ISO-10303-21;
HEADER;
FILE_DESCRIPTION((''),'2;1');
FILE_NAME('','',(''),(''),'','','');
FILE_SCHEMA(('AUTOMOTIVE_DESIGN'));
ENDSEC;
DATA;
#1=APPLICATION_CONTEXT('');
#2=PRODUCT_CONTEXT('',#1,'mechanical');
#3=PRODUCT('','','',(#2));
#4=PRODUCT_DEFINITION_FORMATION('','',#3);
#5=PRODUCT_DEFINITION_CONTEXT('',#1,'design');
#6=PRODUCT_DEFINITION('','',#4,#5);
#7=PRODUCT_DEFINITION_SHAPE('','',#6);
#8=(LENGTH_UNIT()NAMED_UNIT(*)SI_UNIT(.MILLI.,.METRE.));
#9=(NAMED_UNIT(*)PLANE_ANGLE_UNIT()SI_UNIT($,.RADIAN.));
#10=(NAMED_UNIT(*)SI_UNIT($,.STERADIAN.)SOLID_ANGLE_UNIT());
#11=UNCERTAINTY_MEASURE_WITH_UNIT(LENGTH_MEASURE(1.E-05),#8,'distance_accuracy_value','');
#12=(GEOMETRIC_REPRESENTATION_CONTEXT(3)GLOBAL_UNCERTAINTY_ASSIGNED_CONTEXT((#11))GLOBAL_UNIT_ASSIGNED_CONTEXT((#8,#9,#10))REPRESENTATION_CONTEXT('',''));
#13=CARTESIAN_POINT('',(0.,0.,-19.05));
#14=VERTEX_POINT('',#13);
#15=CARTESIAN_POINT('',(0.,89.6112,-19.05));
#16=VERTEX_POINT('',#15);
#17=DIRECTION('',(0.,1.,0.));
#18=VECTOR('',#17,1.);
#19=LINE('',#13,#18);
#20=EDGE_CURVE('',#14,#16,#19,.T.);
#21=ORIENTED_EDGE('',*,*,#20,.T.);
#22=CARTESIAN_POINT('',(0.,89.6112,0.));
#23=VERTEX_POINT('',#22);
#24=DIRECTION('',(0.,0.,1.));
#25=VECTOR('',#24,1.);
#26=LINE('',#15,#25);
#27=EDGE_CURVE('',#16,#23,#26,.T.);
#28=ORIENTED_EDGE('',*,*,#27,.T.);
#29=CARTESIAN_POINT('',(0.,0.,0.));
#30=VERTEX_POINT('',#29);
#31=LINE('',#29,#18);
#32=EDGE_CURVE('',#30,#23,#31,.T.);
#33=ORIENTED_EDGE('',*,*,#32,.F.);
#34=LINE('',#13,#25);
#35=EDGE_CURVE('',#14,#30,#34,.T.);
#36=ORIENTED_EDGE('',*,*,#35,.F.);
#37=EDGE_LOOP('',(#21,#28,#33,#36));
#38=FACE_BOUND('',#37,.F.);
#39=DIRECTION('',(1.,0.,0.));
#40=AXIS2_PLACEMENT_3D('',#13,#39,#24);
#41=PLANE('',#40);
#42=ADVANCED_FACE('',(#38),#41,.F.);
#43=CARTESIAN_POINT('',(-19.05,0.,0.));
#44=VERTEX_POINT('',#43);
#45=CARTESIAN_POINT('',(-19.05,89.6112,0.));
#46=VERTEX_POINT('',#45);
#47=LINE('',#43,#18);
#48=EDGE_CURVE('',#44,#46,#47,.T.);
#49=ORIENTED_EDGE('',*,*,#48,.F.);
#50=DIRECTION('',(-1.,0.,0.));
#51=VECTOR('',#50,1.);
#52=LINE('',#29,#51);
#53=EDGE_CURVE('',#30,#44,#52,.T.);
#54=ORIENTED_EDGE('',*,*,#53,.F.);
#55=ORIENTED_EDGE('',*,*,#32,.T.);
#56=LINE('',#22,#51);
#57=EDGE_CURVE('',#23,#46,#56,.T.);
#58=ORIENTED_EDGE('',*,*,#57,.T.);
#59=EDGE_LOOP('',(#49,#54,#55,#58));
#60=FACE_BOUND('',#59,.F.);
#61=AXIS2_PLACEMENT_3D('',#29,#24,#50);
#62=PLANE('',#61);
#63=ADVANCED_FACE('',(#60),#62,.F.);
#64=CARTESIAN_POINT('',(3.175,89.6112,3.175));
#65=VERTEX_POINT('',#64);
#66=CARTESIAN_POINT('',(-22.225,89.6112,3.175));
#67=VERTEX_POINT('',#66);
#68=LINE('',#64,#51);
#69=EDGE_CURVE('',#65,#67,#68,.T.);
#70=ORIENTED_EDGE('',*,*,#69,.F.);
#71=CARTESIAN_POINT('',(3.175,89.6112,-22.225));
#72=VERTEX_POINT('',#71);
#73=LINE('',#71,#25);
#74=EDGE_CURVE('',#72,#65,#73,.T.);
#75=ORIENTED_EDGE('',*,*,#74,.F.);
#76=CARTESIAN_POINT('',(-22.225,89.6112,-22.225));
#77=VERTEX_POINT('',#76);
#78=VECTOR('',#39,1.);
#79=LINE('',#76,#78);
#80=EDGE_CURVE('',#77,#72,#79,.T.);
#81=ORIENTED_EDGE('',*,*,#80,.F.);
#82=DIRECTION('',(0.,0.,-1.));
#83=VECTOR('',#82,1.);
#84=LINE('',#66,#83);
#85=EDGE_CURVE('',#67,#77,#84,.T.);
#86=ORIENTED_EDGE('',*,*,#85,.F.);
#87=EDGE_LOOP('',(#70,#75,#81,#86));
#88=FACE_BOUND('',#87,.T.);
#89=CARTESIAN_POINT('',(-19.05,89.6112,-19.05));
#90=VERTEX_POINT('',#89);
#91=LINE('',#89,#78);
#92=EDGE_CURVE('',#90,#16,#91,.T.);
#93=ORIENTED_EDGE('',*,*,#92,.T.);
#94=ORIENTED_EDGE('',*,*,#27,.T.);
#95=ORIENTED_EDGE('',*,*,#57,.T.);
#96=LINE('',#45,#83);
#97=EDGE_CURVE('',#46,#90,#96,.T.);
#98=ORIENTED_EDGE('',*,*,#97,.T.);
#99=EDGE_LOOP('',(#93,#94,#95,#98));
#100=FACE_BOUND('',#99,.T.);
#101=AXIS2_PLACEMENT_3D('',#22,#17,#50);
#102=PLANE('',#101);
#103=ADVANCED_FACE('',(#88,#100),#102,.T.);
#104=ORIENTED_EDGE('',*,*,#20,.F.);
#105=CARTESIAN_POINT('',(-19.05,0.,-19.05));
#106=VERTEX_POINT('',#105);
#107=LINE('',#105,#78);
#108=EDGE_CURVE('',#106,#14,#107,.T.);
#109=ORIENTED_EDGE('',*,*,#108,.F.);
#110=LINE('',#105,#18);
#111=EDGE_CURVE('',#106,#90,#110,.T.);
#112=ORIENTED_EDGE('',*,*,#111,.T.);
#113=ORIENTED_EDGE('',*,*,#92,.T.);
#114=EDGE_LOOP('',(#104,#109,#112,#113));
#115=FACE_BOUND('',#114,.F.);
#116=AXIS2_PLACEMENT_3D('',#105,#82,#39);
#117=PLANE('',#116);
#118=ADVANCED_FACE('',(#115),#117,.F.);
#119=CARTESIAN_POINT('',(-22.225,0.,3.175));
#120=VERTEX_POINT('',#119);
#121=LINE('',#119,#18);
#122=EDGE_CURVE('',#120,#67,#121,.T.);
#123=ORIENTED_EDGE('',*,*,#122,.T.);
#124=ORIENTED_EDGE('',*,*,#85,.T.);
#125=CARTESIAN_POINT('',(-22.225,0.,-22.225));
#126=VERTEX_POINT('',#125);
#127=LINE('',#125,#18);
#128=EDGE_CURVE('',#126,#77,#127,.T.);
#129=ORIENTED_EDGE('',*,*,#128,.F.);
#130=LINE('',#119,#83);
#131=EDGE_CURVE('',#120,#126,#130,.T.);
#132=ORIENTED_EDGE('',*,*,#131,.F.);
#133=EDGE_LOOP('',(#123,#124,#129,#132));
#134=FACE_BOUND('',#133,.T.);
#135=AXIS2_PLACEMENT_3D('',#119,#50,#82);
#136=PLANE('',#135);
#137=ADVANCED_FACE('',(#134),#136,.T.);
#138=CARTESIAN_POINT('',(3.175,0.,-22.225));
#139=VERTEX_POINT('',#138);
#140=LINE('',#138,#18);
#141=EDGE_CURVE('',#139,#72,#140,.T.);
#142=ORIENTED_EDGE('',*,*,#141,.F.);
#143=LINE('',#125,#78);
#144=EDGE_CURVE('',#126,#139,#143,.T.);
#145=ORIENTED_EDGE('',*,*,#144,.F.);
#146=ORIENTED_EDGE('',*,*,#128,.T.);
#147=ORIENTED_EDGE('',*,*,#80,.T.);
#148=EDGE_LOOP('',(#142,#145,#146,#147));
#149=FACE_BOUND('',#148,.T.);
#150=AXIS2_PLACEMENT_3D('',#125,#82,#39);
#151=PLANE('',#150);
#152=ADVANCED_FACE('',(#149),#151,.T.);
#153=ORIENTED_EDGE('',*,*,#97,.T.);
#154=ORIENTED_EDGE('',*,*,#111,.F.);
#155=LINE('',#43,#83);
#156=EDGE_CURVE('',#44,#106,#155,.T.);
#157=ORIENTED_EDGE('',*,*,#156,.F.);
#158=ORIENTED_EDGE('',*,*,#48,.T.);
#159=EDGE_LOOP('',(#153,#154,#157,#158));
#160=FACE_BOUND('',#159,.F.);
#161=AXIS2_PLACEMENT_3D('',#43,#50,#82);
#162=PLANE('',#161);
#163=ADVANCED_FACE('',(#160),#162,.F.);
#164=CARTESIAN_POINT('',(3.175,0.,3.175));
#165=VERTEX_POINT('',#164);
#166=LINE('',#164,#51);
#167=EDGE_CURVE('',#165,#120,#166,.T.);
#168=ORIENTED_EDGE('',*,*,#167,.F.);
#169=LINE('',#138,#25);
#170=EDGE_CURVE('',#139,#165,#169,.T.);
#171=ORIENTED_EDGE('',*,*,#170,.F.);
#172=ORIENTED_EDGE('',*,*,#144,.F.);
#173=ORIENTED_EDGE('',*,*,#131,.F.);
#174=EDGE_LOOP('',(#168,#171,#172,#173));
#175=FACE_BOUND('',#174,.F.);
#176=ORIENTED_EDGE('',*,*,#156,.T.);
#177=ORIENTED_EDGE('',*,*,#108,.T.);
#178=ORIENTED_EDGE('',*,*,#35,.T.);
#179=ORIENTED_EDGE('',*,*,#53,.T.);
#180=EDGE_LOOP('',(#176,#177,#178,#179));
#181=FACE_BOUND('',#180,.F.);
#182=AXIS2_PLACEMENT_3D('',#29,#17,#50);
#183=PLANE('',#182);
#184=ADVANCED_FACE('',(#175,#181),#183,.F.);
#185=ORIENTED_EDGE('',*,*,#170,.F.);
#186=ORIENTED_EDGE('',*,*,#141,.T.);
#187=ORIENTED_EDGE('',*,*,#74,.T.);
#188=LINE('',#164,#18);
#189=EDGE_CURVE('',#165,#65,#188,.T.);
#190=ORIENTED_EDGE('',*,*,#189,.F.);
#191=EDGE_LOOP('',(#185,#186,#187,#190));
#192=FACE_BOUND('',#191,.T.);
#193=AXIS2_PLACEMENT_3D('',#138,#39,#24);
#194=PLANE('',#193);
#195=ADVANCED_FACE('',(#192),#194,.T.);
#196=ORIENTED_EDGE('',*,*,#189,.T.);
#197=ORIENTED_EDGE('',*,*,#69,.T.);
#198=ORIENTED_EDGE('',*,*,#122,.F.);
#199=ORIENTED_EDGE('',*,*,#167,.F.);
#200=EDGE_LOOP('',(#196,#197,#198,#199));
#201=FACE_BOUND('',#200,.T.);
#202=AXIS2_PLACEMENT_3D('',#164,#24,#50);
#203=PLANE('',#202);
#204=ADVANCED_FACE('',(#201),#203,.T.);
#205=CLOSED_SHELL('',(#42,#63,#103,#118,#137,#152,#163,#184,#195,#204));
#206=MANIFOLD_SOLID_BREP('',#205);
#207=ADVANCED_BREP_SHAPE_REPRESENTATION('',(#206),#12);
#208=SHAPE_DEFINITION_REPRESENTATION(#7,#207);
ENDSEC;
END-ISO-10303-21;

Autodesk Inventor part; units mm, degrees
ref_plane "YZ Plane" through (0, 0, 0) normal (1, 0, 0) x (0, 1, 0)
ref_plane "XZ Plane" through (0, 0, 0) normal (0, 1, 0) x (-1, 0, 0)
ref_plane "XY Plane" through (0, 0, 0) normal (0, 0, 1) x (1, 0, 0)
sketch "Sketch1" plane through (0, 0, 0) normal (0, 1, 0) x (-1, 0, 0)
  line L0 (0, 0) -> (19.05, 0)
  line L1 (19.05, 0) -> (19.05, -19.05)
  line L2 (19.05, -19.05) -> (0, -19.05)
  line L3 (0, -19.05) -> (0, 0)
  line L4 (-3.175, 3.175) -> (22.225, 3.175)
  line L5 (22.225, 3.175) -> (22.225, -22.225)
  line L6 (22.225, -22.225) -> (-3.175, -22.225)
  line L7 (-3.175, -22.225) -> (-3.175, 3.175)
  dimension "d0" = 19.05
  dimension "d1" = 19.05
  dimension "WallThickness" = 3.175
  dimension "d3" = 3.175
  dimension "d4" = 3.175
  dimension "d5" = 3.175
extrude "Extrusion1" add sketch "Sketch1" along normal blind 89.6112
equation "\"d0\" = MastWidth"
equation "\"d1\" = MastWidth"
equation "\"d3\" = WallThickness"
equation "\"d4\" = WallThickness"
equation "\"d5\" = WallThickness"
equation "\"d6\" = ServoMountLength"
equation "\"MastWidth\" = 19.05"
equation "\"ServoMountLength\" = 89.6112"
properties part number "TabletMount-Mast-Lower"
